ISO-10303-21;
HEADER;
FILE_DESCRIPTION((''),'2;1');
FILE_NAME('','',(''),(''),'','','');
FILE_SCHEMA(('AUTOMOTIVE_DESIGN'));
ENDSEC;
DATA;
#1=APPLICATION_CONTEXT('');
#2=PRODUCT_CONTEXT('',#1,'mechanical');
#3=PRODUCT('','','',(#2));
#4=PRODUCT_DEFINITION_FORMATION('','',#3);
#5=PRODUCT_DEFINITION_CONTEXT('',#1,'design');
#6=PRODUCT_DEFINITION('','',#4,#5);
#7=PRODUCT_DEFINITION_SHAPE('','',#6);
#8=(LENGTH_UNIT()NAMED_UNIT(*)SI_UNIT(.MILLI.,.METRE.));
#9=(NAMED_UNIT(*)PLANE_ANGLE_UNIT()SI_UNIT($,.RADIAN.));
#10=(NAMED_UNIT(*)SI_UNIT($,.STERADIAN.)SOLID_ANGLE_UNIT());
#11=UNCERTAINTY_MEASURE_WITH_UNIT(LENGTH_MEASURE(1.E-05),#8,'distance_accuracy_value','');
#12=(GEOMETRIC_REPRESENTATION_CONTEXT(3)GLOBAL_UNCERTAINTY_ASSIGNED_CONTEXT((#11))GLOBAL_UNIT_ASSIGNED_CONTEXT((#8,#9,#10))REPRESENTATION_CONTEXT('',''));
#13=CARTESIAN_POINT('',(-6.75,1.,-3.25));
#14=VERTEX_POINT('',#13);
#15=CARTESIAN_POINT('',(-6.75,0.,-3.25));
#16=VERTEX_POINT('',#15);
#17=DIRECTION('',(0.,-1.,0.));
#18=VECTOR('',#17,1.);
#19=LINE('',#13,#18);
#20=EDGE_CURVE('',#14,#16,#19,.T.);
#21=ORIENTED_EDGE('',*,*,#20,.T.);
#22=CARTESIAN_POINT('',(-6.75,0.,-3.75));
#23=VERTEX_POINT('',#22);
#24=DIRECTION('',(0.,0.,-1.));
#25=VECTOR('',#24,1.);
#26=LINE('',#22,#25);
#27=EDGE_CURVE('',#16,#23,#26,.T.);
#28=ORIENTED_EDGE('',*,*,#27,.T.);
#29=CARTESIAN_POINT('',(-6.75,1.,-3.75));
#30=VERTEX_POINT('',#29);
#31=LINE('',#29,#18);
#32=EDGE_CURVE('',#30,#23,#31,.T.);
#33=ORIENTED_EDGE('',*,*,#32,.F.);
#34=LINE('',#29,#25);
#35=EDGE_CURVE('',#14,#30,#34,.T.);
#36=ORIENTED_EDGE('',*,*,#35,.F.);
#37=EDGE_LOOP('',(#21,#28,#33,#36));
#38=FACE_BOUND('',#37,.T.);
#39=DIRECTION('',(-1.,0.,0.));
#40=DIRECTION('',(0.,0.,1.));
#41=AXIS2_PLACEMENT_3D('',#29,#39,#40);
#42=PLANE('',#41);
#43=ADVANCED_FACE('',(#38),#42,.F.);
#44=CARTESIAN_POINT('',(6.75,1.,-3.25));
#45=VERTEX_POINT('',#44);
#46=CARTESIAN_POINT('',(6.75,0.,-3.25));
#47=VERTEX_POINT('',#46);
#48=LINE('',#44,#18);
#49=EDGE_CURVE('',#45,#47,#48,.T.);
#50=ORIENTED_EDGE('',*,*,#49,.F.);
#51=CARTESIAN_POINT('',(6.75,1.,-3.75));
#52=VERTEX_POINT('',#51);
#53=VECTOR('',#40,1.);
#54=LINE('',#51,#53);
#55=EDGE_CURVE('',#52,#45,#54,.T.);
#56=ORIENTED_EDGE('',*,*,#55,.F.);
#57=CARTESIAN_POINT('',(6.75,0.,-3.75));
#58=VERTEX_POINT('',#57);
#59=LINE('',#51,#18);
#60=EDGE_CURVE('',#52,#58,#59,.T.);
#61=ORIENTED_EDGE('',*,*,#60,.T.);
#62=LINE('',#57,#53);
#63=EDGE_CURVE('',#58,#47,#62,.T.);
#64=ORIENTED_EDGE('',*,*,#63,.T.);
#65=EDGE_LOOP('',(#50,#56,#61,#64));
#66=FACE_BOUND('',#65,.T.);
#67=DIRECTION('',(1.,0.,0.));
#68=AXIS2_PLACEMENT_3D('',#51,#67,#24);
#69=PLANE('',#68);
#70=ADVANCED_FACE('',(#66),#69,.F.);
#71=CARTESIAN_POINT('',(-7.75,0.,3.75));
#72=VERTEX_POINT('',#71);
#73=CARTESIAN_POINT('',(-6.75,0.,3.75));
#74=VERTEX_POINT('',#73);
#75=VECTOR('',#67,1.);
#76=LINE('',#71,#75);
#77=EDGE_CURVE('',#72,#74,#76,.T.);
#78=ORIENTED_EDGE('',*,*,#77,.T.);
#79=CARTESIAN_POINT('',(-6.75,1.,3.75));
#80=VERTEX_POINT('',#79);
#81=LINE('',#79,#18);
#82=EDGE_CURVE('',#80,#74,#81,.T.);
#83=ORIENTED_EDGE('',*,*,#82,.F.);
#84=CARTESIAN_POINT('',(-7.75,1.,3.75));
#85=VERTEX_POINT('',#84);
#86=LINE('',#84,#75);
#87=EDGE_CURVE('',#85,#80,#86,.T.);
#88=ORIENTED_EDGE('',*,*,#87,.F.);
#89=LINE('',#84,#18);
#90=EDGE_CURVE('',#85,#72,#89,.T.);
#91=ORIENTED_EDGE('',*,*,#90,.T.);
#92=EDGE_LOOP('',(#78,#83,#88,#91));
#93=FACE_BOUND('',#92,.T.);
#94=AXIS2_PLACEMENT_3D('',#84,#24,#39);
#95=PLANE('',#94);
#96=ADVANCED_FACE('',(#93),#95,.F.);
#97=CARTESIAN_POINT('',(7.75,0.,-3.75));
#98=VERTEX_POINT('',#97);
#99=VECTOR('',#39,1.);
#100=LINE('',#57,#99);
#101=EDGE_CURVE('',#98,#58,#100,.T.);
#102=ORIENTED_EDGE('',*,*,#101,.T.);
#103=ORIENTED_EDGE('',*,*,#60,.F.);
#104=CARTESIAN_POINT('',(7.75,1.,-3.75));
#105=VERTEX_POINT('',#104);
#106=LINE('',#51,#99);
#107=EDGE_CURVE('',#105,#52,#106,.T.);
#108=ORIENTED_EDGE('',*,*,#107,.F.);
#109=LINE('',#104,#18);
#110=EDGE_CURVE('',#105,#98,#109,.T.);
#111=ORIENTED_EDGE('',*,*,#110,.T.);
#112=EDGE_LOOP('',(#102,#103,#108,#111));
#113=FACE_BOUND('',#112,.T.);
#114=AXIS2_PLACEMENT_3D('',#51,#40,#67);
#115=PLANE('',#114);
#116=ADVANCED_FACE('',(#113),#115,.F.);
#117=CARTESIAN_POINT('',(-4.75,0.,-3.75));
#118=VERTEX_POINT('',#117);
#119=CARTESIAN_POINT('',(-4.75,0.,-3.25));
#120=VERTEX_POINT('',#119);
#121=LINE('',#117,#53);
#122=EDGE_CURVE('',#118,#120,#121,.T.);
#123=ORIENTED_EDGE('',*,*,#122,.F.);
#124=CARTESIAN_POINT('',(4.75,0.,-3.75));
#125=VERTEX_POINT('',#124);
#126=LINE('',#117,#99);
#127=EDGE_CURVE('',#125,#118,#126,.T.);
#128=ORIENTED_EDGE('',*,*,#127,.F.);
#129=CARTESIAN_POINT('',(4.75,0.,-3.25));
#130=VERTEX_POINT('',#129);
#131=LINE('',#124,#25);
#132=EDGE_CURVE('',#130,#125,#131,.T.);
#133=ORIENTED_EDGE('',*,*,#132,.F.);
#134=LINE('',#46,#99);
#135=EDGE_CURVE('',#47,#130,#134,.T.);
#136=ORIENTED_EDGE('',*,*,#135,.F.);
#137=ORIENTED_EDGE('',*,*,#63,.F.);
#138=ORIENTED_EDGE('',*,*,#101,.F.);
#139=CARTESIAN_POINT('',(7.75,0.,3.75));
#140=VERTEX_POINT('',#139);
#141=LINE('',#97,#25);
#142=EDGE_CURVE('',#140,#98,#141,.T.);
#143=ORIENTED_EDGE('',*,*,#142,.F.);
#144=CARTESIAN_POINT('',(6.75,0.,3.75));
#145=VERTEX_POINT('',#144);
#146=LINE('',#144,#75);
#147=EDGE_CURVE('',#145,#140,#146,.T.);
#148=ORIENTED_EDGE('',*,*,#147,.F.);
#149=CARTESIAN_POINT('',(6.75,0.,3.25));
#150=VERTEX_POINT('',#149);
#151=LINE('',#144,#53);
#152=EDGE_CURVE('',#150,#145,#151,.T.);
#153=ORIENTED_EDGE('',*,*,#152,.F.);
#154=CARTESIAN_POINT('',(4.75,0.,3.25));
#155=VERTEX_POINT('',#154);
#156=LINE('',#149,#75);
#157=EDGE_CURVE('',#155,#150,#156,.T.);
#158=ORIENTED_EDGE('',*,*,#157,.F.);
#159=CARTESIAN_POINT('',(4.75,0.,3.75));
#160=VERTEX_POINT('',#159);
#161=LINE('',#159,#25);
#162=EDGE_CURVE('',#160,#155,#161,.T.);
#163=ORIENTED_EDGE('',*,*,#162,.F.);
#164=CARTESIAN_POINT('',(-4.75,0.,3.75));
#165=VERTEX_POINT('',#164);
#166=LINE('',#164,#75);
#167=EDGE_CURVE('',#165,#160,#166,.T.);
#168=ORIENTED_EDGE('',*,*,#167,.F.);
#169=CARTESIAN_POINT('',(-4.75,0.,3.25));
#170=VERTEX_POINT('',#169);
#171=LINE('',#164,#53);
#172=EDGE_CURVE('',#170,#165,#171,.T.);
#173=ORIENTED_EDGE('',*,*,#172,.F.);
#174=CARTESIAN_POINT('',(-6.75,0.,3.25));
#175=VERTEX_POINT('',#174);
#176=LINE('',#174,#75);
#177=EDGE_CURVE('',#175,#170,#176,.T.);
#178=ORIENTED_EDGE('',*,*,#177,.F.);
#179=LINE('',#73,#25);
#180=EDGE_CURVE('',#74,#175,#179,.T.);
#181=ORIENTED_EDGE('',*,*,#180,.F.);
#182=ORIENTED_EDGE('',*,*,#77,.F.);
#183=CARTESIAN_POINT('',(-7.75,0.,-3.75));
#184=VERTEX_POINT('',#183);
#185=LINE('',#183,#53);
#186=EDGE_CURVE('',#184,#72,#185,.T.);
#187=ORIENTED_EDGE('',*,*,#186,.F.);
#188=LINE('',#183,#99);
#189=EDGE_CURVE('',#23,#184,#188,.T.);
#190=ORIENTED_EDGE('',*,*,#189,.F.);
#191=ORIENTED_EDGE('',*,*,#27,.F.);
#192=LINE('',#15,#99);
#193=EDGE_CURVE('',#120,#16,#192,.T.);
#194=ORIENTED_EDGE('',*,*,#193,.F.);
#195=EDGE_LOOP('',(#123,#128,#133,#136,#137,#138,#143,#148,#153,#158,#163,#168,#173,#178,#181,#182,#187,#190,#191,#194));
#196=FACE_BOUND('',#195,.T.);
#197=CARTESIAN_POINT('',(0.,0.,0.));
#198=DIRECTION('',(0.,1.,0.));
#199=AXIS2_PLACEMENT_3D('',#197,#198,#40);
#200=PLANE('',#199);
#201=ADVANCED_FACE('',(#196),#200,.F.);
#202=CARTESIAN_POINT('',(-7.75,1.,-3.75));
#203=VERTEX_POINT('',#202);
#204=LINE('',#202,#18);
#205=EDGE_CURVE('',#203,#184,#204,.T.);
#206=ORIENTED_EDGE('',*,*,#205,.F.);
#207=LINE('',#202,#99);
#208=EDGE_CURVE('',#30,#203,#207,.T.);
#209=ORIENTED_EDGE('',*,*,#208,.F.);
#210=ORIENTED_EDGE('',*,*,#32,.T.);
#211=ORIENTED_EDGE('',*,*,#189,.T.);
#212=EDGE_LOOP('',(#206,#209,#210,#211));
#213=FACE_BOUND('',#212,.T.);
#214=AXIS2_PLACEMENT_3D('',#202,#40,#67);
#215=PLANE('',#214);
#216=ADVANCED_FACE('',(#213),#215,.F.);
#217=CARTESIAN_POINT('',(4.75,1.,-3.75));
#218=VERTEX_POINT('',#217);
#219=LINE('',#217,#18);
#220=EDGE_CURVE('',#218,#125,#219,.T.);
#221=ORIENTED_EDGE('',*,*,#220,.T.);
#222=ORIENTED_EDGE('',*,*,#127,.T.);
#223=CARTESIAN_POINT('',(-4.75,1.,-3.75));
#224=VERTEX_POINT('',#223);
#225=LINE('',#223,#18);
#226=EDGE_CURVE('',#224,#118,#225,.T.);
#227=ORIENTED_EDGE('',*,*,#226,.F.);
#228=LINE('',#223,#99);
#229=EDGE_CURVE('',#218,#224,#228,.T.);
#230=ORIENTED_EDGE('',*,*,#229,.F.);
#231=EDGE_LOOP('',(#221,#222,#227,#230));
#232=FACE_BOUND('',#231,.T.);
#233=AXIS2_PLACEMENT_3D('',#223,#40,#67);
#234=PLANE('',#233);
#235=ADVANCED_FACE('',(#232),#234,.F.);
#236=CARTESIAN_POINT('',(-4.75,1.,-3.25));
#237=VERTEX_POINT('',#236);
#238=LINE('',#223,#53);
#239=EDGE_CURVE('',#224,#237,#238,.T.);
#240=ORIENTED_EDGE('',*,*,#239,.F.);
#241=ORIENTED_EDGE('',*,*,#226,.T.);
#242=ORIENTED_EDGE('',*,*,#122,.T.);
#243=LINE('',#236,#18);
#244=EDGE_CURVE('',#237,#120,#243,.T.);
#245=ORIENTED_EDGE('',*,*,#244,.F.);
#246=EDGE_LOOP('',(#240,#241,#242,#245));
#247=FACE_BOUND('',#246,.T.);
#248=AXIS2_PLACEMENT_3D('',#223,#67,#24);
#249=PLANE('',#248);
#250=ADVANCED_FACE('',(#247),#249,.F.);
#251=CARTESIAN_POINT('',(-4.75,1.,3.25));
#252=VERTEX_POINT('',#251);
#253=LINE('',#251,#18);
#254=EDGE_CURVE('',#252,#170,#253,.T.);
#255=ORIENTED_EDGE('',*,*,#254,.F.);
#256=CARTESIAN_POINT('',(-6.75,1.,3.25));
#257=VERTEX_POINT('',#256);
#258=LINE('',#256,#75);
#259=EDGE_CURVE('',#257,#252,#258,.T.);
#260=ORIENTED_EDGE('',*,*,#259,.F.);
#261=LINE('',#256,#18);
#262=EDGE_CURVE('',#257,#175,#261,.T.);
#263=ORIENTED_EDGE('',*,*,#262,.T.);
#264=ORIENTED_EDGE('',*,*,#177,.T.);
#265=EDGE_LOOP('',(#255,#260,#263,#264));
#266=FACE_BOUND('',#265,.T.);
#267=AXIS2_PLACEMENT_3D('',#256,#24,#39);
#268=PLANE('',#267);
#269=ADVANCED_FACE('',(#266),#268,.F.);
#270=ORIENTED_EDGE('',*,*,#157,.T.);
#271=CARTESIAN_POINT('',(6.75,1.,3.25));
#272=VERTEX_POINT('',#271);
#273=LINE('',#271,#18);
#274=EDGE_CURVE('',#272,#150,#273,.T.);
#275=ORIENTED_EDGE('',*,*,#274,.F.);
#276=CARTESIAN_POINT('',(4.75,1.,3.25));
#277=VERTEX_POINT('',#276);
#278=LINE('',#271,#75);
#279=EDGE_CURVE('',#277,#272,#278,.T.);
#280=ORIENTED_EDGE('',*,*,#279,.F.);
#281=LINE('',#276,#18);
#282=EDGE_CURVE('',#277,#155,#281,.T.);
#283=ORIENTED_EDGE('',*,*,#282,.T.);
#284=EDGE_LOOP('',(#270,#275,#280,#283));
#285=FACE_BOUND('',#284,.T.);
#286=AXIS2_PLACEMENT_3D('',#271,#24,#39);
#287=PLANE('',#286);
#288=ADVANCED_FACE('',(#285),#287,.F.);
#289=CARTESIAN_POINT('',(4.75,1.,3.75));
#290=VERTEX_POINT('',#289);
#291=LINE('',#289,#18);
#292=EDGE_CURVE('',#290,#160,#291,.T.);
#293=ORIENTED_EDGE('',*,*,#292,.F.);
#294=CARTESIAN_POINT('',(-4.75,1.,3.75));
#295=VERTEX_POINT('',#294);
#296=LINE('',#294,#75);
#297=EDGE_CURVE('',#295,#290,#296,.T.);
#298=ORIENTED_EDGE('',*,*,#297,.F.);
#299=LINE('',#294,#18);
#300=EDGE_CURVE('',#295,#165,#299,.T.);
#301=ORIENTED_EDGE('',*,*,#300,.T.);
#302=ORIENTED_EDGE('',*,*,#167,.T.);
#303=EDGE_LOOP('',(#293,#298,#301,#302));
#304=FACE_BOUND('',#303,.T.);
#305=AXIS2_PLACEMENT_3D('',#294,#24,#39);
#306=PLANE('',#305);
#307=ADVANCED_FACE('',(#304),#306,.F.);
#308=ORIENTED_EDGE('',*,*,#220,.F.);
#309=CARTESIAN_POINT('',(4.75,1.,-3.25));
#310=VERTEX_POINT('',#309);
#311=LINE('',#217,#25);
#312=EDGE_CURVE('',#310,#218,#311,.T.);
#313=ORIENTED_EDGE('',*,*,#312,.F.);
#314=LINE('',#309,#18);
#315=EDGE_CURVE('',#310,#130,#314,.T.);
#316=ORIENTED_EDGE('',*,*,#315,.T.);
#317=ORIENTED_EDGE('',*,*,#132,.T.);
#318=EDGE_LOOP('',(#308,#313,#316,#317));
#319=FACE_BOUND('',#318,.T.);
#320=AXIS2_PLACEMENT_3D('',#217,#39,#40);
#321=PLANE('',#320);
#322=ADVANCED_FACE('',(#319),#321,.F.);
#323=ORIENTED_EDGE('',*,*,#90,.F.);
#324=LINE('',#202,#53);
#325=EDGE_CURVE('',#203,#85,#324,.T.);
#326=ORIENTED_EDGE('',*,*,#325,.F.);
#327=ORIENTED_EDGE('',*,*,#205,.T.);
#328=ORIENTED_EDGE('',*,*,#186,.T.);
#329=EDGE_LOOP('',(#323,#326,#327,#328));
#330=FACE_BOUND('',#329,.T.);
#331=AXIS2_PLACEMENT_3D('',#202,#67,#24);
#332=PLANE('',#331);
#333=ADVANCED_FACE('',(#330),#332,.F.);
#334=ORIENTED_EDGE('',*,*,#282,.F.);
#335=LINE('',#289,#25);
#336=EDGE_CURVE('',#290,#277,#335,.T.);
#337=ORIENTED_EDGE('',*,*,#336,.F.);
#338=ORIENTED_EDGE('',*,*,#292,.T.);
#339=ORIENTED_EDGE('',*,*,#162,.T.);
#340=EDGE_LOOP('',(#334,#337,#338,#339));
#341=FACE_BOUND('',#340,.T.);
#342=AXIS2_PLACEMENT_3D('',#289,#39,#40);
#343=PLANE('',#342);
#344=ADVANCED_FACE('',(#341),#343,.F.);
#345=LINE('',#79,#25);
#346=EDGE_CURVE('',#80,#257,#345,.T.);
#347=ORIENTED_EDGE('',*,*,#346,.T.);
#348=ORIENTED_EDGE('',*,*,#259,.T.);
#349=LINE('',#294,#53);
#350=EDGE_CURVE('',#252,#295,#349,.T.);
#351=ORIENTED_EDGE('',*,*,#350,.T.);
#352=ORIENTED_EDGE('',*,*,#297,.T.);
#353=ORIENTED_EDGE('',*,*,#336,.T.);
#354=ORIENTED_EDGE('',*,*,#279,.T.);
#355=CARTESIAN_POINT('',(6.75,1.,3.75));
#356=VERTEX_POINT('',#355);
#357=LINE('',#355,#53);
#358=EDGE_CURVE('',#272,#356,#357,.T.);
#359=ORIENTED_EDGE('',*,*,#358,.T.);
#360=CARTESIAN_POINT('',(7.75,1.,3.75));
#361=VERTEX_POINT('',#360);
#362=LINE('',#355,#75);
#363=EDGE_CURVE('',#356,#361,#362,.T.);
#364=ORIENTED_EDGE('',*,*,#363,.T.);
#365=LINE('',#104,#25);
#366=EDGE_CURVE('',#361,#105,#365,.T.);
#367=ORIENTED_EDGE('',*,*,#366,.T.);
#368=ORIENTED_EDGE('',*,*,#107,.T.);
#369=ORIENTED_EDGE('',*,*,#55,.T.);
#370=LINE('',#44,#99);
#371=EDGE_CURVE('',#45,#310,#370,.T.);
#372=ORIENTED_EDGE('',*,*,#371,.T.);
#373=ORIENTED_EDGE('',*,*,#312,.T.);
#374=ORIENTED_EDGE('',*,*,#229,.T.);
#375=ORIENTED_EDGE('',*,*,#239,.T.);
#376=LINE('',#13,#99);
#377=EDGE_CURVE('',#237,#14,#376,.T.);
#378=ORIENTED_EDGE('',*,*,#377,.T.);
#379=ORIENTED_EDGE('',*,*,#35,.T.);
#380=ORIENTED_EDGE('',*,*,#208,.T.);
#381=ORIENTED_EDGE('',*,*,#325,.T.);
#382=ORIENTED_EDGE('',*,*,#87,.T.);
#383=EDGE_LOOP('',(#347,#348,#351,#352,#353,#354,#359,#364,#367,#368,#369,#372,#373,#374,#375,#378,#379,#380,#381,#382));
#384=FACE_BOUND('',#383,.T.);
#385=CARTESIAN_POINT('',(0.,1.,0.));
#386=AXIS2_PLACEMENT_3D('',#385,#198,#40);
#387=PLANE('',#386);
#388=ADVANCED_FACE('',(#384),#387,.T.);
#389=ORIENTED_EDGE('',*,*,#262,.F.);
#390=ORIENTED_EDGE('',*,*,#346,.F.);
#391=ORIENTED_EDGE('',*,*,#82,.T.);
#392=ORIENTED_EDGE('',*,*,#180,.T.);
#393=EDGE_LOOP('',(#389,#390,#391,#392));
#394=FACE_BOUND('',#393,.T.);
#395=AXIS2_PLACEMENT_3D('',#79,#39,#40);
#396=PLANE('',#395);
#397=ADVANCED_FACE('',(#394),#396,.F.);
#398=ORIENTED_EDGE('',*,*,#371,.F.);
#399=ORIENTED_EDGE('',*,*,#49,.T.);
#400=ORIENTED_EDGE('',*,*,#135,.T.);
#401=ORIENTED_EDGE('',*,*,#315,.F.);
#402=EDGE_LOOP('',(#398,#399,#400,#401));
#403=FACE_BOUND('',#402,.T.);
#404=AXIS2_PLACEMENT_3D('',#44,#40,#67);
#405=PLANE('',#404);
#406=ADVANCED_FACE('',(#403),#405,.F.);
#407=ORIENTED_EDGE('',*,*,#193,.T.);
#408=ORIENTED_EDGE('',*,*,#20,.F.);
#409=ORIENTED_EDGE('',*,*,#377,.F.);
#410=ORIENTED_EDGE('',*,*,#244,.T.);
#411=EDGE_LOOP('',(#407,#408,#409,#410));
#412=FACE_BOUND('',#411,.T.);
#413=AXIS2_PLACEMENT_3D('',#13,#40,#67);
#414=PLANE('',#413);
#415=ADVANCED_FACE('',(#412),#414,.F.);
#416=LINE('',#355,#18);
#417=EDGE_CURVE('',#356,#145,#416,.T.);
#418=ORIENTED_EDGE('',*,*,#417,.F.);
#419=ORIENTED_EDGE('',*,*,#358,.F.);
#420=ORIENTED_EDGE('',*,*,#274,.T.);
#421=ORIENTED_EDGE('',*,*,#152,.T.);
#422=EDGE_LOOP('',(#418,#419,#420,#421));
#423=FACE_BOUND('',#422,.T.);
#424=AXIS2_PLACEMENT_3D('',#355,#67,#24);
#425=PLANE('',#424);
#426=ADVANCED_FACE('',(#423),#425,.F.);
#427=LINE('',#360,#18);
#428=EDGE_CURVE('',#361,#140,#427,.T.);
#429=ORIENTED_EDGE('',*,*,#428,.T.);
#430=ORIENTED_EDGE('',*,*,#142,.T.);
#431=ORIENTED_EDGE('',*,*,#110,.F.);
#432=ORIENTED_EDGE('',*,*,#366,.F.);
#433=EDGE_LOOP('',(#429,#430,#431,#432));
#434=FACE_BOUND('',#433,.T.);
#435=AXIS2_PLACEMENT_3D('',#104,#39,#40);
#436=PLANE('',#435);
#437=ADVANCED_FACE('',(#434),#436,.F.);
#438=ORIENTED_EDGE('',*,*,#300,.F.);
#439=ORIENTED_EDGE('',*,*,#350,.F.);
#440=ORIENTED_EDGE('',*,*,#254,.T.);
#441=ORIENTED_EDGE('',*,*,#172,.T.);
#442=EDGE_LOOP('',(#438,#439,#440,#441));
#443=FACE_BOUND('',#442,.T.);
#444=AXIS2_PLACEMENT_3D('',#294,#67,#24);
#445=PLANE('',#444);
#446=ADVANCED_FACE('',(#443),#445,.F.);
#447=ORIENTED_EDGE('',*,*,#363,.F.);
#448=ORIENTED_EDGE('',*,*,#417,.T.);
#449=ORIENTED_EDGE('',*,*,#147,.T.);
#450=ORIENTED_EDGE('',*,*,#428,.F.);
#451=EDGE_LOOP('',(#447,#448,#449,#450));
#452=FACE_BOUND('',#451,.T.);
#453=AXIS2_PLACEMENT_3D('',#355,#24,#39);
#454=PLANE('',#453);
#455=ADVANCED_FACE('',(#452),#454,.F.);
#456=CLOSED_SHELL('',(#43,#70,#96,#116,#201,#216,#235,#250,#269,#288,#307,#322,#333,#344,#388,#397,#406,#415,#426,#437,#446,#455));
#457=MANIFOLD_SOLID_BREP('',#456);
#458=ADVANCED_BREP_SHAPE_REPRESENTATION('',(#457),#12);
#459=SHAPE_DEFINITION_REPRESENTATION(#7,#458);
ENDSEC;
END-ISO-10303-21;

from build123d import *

# Parameters (mm, degrees)
BOSS_EXTRUDE1_DEPTH = 1


with BuildPart() as part:
    # Sketch1 → Boss-Extrude1 (new body)
    with BuildSketch(Plane(origin=(0, 0, 0), x_dir=(1, 0, 0), z_dir=(0, 1, 0))):
        Polygon((-7.75, 3.75), (-6.75, 3.75), (-6.75, 3.25), (-4.75, 3.25), (-4.75, 3.75), (4.75, 3.75), (4.75, 3.25), (6.75, 3.25), (6.75, 3.75), (7.75, 3.75), (7.75, -3.75), (6.75, -3.75), (6.75, -3.25), (4.75, -3.25), (4.75, -3.75), (-4.75, -3.75), (-4.75, -3.25), (-6.75, -3.25), (-6.75, -3.75), (-7.75, -3.75), align=None)
    extrude(amount=BOSS_EXTRUDE1_DEPTH)


solid = part.part
